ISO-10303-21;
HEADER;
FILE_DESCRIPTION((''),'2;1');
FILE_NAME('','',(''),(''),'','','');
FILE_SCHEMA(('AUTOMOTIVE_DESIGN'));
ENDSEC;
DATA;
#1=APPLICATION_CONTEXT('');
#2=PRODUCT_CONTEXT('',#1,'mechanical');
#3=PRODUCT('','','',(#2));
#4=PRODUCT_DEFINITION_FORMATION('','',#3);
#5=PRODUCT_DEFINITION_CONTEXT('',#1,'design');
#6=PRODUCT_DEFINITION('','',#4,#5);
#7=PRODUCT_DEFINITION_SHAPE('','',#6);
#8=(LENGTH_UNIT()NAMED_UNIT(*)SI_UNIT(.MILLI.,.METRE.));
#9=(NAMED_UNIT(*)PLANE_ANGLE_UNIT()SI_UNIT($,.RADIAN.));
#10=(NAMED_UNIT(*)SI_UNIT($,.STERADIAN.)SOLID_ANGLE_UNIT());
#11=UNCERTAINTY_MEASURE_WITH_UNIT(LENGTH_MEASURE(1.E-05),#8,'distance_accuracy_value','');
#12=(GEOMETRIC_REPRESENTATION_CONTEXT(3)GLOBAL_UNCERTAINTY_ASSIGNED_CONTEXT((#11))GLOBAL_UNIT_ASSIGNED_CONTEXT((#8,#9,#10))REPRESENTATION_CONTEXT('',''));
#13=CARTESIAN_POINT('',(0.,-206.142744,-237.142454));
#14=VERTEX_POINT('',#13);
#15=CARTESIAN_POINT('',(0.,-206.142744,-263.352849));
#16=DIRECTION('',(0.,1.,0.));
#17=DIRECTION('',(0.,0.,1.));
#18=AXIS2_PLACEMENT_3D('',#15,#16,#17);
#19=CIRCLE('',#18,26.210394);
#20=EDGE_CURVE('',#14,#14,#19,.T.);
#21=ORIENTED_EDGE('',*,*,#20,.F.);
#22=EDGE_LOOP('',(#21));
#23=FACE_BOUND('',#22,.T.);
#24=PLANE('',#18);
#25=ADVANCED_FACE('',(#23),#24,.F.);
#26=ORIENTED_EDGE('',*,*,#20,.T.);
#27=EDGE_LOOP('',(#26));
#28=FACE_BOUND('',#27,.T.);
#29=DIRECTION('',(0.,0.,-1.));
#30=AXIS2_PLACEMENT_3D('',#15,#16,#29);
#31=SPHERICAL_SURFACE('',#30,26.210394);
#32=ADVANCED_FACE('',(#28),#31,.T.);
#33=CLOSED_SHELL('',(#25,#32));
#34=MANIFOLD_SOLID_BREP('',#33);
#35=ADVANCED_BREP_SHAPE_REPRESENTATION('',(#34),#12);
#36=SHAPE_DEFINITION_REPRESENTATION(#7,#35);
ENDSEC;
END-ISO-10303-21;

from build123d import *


with BuildPart() as part:
    # Sketch3 → Revolve1 (revolve)
    with BuildSketch(Plane(origin=(0, 0, 0), x_dir=(0, 0, -1), z_dir=(1, 0, 0))):
        with BuildLine():
            Line((263.352848866, -179.932349801), (263.352848866, -206.142744187))
            Line((263.352848866, -206.142744187), (289.563243252, -206.142744187))
            ThreePointArc((289.563243252, -206.142744187), (281.886396474, -187.609196579), (263.352848866, -179.932349801))
        make_face()
    revolve(axis=Axis((0, -179.932349801, -263.352848866), (0, -1, 0)))


solid = part.part
